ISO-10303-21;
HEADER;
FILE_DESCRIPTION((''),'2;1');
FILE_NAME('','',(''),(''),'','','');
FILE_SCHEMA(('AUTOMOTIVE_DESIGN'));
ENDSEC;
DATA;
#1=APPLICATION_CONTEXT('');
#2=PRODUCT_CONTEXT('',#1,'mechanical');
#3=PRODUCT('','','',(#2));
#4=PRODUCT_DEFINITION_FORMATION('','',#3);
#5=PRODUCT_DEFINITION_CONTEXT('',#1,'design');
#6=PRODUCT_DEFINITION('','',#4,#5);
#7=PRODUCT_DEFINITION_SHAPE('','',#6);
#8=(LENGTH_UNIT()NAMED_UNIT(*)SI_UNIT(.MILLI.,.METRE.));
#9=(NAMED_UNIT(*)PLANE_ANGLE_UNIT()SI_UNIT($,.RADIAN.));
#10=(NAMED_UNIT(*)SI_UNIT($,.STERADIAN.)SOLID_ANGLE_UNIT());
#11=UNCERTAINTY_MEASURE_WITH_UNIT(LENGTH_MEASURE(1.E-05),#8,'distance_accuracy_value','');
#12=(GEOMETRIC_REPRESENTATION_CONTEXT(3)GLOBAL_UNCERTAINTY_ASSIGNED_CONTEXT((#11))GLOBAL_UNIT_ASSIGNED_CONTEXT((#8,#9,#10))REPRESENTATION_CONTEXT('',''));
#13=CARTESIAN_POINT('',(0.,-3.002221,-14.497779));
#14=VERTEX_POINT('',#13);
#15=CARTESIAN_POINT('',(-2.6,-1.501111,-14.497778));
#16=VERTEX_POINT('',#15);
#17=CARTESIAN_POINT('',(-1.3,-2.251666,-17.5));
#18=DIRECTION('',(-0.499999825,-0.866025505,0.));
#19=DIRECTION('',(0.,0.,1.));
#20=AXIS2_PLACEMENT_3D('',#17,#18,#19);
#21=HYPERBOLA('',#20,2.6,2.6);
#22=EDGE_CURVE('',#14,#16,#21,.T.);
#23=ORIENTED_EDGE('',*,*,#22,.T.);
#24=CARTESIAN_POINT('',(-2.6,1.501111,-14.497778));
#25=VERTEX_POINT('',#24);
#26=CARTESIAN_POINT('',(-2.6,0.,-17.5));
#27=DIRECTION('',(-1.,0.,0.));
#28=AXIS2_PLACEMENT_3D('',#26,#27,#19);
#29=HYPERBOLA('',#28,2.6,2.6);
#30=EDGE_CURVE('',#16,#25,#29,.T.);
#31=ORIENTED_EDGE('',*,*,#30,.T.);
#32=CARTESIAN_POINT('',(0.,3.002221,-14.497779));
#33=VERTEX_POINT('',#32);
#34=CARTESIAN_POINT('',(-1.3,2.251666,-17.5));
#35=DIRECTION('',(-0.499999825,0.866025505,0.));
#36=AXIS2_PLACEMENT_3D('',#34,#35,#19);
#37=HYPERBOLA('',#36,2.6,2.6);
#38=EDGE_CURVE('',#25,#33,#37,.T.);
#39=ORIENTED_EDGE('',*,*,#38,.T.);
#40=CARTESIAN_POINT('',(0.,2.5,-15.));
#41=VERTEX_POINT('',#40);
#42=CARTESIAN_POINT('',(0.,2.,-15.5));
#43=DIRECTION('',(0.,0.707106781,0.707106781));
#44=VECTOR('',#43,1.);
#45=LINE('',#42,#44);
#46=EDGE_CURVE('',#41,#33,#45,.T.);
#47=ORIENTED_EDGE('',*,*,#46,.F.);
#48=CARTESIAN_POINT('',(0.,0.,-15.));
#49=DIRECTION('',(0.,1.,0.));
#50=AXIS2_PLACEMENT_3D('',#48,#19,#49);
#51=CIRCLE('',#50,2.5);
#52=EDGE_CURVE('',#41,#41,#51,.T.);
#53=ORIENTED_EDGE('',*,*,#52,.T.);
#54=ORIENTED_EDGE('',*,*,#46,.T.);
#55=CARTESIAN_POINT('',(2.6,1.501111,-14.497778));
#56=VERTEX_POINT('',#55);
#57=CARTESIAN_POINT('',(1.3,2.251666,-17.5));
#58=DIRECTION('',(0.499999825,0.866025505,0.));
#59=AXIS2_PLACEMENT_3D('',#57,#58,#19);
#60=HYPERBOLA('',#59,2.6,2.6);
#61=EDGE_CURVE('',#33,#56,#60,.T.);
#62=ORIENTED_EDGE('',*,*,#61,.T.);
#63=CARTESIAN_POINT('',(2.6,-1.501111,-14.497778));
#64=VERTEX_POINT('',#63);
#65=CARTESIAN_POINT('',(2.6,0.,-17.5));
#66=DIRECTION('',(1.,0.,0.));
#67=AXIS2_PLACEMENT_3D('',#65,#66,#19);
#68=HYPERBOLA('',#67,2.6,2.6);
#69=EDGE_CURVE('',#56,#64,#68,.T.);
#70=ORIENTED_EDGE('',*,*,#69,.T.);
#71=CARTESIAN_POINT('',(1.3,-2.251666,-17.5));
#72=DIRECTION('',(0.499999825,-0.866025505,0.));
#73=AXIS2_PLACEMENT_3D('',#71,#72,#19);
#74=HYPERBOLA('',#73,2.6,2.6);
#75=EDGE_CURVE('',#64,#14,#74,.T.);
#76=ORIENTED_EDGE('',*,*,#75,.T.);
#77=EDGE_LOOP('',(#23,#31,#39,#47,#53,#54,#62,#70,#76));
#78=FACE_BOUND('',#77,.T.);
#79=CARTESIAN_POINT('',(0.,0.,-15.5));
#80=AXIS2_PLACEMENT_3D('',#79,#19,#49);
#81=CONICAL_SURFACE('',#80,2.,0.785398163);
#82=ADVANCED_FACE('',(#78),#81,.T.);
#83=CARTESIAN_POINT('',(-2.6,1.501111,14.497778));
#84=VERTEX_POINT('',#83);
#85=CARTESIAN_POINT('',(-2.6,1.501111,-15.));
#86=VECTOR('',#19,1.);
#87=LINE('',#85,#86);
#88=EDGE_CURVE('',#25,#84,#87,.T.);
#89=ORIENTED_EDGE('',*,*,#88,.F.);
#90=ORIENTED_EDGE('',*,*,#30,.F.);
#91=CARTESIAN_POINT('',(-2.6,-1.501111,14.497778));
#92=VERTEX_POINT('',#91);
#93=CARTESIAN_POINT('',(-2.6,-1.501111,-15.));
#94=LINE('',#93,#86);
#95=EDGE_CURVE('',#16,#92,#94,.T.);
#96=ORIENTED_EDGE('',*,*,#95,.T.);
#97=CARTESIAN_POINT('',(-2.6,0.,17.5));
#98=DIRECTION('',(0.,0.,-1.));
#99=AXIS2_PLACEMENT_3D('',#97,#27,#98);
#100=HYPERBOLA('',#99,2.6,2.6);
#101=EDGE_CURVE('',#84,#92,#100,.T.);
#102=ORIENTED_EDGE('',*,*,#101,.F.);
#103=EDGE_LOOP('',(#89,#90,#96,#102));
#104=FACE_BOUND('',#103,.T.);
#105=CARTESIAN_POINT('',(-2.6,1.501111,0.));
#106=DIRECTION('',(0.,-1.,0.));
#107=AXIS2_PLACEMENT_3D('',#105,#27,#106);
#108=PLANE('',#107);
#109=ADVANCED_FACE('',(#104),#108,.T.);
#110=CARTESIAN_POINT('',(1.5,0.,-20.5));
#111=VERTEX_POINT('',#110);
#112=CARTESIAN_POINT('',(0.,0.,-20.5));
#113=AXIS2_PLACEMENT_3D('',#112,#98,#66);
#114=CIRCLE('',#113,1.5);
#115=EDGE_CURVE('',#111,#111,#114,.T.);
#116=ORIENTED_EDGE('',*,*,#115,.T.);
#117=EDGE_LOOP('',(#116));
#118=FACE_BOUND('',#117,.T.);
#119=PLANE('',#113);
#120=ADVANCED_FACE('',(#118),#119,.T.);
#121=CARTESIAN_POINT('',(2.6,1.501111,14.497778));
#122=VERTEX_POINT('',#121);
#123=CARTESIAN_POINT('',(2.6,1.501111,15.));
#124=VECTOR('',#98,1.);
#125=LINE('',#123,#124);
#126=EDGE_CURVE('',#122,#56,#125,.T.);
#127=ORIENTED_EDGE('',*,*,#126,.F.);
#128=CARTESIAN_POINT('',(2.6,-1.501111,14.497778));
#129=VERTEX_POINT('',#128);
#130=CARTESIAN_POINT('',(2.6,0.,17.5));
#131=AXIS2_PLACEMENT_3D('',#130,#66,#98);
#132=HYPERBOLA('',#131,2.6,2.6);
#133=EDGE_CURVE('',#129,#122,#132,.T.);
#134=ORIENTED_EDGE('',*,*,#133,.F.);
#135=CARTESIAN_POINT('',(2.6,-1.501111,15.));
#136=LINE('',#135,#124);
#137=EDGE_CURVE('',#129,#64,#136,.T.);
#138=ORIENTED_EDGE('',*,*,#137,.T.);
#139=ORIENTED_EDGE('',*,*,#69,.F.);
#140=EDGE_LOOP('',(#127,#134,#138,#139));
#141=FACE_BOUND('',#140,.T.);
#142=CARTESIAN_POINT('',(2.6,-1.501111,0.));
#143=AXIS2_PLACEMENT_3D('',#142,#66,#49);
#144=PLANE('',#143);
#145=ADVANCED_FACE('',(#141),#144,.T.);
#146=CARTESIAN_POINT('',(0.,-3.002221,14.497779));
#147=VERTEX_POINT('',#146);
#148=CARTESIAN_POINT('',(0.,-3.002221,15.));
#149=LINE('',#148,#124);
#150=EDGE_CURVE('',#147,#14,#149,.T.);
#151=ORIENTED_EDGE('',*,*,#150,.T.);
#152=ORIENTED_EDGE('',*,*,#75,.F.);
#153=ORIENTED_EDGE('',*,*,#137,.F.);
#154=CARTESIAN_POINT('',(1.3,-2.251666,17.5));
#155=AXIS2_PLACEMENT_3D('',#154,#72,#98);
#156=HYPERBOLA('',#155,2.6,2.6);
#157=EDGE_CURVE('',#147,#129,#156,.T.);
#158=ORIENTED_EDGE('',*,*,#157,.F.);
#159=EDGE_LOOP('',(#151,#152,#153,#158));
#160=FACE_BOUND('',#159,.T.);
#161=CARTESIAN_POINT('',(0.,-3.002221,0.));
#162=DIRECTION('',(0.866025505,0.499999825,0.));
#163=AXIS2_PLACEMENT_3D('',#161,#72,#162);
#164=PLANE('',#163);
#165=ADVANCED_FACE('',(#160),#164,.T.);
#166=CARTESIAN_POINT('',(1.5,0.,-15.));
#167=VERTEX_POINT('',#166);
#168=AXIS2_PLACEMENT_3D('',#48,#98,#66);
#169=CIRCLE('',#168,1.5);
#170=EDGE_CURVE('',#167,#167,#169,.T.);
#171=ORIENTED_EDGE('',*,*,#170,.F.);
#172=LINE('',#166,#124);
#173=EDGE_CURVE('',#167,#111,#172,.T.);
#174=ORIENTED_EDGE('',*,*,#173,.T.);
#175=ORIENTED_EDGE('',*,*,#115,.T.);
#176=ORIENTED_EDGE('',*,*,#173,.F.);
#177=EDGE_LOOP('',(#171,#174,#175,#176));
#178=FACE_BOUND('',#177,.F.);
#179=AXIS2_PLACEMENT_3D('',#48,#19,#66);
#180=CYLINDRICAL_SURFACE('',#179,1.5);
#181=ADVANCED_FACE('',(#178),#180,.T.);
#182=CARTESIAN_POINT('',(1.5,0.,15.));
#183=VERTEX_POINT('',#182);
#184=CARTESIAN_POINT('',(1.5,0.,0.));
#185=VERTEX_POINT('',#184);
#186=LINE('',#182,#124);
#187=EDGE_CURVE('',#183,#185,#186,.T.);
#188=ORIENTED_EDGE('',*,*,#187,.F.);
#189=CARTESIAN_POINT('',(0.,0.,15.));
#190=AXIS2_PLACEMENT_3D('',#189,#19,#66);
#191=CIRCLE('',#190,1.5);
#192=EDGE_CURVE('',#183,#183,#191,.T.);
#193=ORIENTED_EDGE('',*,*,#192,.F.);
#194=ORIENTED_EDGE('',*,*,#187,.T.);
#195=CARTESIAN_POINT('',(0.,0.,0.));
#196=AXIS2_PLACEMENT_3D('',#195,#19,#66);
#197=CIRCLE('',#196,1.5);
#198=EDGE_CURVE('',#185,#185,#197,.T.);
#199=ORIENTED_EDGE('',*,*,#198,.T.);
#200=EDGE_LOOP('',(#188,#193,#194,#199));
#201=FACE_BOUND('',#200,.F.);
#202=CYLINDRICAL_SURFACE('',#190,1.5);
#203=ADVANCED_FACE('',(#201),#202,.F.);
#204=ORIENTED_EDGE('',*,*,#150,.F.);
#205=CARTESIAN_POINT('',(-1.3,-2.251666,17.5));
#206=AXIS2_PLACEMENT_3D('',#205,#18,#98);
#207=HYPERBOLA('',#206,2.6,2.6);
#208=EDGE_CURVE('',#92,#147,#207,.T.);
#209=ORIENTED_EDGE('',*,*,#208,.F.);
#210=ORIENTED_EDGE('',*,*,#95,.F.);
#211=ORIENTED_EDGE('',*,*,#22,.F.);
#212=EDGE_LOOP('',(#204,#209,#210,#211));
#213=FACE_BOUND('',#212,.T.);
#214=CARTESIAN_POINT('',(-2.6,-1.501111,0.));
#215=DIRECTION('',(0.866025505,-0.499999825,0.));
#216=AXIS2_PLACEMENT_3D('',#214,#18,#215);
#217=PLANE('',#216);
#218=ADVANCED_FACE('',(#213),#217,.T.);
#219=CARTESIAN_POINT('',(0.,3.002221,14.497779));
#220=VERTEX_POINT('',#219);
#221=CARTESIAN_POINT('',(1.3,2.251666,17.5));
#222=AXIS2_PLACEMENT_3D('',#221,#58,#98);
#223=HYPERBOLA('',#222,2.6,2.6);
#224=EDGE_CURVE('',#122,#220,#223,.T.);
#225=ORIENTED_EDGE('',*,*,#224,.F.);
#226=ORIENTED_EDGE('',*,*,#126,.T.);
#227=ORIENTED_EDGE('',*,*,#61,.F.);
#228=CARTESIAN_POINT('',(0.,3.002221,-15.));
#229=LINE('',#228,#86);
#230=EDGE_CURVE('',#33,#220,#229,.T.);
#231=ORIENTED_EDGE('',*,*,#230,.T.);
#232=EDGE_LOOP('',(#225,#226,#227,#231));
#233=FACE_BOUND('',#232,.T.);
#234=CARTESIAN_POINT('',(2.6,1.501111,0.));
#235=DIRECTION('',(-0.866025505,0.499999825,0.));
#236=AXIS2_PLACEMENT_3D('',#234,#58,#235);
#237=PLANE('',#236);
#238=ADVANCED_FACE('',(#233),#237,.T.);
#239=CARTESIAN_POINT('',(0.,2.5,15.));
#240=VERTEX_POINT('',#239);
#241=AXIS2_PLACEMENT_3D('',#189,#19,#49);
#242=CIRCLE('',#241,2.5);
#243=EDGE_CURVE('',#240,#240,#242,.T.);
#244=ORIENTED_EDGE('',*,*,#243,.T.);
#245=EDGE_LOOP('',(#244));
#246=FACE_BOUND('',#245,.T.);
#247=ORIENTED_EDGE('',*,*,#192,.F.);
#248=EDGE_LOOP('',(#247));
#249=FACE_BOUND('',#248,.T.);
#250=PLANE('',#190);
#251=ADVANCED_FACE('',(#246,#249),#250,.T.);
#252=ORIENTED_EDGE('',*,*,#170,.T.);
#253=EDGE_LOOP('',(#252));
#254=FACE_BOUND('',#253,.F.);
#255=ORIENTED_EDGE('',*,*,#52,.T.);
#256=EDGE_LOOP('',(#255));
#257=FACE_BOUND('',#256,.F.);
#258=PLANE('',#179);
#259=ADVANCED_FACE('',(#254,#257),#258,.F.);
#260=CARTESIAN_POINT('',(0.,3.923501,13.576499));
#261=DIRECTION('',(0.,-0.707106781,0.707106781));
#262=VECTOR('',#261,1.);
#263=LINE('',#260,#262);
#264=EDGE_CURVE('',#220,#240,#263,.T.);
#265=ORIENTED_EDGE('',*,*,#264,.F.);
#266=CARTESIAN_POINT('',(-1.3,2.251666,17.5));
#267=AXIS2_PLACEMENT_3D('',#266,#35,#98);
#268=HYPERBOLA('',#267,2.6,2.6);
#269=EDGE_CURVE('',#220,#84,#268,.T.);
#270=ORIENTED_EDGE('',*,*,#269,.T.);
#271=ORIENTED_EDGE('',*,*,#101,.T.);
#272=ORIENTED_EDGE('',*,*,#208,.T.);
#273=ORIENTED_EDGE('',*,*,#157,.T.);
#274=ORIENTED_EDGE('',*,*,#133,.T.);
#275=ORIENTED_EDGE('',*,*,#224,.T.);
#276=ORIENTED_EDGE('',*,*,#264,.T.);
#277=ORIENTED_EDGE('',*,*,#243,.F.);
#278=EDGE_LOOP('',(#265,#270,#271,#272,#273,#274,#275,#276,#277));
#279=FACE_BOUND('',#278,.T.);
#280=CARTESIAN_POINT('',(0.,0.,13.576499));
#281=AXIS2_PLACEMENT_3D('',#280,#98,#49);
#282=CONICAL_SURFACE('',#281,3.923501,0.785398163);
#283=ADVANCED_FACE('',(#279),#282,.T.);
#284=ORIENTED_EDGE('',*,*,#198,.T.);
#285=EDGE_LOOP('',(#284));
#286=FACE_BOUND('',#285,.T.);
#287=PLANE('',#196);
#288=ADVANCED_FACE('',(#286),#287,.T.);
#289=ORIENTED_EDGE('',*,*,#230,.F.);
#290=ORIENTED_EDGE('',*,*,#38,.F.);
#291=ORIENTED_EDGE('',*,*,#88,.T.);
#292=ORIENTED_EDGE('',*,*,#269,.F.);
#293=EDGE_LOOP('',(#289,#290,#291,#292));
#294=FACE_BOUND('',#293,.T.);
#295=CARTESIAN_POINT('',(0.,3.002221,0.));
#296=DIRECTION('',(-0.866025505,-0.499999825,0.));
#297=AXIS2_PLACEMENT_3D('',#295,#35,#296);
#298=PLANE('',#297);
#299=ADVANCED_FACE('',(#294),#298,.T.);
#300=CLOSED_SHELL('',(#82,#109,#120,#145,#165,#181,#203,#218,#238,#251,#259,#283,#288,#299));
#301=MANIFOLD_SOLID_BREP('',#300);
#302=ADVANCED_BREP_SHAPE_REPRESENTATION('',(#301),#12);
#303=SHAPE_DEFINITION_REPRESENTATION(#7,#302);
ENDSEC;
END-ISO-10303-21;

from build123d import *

# Parameters (mm, degrees)
PAD_DEPTH    = 15
SKETCH001_R  = 1.5
POCKET_DEPTH = 15
SKETCH002_R  = 1.5
PAD001_DEPTH = 5.5


with BuildPart() as body001:
    # Sketch003 → Revolution (revolve)
    with BuildSketch(Plane.YZ):
        Polygon((2, 15.5), (5, 15.5), (5, -15.5), (2, -15.5), (3.923501, -13.576499), (3.923501, 13.576499), align=None)
    revolve(axis=Axis((0, 0, 0), (0, 0, 1)))


with BuildPart() as cut:
    # Sketch → Pad (new body, symmetric)
    with BuildSketch(Plane.XY):
        Polygon((2.6, 1.501111), (0, 3.002221), (-2.6, 1.501111), (-2.6, -1.501111), (0, -3.002221), (2.6, -1.501111), align=None)
    extrude(amount=PAD_DEPTH, both=True)

    # Sketch001 (on Face8 of Pad) → Pocket (cut)
    with BuildSketch(Plane.XY.offset(15)):
        Circle(SKETCH001_R)
    extrude(amount=-POCKET_DEPTH, mode=Mode.SUBTRACT)

    # Sketch002 (on Face4 of Pocket) → Pad001 (join)
    with BuildSketch(Plane(origin=(0, 0, -15), x_dir=(1, 0, 0), z_dir=(0, 0, -1))):
        Circle(SKETCH002_R)
    extrude(amount=PAD001_DEPTH)

    # Cut: cut Body001
    add(body001.part, mode=Mode.SUBTRACT)


solid = cut.part
